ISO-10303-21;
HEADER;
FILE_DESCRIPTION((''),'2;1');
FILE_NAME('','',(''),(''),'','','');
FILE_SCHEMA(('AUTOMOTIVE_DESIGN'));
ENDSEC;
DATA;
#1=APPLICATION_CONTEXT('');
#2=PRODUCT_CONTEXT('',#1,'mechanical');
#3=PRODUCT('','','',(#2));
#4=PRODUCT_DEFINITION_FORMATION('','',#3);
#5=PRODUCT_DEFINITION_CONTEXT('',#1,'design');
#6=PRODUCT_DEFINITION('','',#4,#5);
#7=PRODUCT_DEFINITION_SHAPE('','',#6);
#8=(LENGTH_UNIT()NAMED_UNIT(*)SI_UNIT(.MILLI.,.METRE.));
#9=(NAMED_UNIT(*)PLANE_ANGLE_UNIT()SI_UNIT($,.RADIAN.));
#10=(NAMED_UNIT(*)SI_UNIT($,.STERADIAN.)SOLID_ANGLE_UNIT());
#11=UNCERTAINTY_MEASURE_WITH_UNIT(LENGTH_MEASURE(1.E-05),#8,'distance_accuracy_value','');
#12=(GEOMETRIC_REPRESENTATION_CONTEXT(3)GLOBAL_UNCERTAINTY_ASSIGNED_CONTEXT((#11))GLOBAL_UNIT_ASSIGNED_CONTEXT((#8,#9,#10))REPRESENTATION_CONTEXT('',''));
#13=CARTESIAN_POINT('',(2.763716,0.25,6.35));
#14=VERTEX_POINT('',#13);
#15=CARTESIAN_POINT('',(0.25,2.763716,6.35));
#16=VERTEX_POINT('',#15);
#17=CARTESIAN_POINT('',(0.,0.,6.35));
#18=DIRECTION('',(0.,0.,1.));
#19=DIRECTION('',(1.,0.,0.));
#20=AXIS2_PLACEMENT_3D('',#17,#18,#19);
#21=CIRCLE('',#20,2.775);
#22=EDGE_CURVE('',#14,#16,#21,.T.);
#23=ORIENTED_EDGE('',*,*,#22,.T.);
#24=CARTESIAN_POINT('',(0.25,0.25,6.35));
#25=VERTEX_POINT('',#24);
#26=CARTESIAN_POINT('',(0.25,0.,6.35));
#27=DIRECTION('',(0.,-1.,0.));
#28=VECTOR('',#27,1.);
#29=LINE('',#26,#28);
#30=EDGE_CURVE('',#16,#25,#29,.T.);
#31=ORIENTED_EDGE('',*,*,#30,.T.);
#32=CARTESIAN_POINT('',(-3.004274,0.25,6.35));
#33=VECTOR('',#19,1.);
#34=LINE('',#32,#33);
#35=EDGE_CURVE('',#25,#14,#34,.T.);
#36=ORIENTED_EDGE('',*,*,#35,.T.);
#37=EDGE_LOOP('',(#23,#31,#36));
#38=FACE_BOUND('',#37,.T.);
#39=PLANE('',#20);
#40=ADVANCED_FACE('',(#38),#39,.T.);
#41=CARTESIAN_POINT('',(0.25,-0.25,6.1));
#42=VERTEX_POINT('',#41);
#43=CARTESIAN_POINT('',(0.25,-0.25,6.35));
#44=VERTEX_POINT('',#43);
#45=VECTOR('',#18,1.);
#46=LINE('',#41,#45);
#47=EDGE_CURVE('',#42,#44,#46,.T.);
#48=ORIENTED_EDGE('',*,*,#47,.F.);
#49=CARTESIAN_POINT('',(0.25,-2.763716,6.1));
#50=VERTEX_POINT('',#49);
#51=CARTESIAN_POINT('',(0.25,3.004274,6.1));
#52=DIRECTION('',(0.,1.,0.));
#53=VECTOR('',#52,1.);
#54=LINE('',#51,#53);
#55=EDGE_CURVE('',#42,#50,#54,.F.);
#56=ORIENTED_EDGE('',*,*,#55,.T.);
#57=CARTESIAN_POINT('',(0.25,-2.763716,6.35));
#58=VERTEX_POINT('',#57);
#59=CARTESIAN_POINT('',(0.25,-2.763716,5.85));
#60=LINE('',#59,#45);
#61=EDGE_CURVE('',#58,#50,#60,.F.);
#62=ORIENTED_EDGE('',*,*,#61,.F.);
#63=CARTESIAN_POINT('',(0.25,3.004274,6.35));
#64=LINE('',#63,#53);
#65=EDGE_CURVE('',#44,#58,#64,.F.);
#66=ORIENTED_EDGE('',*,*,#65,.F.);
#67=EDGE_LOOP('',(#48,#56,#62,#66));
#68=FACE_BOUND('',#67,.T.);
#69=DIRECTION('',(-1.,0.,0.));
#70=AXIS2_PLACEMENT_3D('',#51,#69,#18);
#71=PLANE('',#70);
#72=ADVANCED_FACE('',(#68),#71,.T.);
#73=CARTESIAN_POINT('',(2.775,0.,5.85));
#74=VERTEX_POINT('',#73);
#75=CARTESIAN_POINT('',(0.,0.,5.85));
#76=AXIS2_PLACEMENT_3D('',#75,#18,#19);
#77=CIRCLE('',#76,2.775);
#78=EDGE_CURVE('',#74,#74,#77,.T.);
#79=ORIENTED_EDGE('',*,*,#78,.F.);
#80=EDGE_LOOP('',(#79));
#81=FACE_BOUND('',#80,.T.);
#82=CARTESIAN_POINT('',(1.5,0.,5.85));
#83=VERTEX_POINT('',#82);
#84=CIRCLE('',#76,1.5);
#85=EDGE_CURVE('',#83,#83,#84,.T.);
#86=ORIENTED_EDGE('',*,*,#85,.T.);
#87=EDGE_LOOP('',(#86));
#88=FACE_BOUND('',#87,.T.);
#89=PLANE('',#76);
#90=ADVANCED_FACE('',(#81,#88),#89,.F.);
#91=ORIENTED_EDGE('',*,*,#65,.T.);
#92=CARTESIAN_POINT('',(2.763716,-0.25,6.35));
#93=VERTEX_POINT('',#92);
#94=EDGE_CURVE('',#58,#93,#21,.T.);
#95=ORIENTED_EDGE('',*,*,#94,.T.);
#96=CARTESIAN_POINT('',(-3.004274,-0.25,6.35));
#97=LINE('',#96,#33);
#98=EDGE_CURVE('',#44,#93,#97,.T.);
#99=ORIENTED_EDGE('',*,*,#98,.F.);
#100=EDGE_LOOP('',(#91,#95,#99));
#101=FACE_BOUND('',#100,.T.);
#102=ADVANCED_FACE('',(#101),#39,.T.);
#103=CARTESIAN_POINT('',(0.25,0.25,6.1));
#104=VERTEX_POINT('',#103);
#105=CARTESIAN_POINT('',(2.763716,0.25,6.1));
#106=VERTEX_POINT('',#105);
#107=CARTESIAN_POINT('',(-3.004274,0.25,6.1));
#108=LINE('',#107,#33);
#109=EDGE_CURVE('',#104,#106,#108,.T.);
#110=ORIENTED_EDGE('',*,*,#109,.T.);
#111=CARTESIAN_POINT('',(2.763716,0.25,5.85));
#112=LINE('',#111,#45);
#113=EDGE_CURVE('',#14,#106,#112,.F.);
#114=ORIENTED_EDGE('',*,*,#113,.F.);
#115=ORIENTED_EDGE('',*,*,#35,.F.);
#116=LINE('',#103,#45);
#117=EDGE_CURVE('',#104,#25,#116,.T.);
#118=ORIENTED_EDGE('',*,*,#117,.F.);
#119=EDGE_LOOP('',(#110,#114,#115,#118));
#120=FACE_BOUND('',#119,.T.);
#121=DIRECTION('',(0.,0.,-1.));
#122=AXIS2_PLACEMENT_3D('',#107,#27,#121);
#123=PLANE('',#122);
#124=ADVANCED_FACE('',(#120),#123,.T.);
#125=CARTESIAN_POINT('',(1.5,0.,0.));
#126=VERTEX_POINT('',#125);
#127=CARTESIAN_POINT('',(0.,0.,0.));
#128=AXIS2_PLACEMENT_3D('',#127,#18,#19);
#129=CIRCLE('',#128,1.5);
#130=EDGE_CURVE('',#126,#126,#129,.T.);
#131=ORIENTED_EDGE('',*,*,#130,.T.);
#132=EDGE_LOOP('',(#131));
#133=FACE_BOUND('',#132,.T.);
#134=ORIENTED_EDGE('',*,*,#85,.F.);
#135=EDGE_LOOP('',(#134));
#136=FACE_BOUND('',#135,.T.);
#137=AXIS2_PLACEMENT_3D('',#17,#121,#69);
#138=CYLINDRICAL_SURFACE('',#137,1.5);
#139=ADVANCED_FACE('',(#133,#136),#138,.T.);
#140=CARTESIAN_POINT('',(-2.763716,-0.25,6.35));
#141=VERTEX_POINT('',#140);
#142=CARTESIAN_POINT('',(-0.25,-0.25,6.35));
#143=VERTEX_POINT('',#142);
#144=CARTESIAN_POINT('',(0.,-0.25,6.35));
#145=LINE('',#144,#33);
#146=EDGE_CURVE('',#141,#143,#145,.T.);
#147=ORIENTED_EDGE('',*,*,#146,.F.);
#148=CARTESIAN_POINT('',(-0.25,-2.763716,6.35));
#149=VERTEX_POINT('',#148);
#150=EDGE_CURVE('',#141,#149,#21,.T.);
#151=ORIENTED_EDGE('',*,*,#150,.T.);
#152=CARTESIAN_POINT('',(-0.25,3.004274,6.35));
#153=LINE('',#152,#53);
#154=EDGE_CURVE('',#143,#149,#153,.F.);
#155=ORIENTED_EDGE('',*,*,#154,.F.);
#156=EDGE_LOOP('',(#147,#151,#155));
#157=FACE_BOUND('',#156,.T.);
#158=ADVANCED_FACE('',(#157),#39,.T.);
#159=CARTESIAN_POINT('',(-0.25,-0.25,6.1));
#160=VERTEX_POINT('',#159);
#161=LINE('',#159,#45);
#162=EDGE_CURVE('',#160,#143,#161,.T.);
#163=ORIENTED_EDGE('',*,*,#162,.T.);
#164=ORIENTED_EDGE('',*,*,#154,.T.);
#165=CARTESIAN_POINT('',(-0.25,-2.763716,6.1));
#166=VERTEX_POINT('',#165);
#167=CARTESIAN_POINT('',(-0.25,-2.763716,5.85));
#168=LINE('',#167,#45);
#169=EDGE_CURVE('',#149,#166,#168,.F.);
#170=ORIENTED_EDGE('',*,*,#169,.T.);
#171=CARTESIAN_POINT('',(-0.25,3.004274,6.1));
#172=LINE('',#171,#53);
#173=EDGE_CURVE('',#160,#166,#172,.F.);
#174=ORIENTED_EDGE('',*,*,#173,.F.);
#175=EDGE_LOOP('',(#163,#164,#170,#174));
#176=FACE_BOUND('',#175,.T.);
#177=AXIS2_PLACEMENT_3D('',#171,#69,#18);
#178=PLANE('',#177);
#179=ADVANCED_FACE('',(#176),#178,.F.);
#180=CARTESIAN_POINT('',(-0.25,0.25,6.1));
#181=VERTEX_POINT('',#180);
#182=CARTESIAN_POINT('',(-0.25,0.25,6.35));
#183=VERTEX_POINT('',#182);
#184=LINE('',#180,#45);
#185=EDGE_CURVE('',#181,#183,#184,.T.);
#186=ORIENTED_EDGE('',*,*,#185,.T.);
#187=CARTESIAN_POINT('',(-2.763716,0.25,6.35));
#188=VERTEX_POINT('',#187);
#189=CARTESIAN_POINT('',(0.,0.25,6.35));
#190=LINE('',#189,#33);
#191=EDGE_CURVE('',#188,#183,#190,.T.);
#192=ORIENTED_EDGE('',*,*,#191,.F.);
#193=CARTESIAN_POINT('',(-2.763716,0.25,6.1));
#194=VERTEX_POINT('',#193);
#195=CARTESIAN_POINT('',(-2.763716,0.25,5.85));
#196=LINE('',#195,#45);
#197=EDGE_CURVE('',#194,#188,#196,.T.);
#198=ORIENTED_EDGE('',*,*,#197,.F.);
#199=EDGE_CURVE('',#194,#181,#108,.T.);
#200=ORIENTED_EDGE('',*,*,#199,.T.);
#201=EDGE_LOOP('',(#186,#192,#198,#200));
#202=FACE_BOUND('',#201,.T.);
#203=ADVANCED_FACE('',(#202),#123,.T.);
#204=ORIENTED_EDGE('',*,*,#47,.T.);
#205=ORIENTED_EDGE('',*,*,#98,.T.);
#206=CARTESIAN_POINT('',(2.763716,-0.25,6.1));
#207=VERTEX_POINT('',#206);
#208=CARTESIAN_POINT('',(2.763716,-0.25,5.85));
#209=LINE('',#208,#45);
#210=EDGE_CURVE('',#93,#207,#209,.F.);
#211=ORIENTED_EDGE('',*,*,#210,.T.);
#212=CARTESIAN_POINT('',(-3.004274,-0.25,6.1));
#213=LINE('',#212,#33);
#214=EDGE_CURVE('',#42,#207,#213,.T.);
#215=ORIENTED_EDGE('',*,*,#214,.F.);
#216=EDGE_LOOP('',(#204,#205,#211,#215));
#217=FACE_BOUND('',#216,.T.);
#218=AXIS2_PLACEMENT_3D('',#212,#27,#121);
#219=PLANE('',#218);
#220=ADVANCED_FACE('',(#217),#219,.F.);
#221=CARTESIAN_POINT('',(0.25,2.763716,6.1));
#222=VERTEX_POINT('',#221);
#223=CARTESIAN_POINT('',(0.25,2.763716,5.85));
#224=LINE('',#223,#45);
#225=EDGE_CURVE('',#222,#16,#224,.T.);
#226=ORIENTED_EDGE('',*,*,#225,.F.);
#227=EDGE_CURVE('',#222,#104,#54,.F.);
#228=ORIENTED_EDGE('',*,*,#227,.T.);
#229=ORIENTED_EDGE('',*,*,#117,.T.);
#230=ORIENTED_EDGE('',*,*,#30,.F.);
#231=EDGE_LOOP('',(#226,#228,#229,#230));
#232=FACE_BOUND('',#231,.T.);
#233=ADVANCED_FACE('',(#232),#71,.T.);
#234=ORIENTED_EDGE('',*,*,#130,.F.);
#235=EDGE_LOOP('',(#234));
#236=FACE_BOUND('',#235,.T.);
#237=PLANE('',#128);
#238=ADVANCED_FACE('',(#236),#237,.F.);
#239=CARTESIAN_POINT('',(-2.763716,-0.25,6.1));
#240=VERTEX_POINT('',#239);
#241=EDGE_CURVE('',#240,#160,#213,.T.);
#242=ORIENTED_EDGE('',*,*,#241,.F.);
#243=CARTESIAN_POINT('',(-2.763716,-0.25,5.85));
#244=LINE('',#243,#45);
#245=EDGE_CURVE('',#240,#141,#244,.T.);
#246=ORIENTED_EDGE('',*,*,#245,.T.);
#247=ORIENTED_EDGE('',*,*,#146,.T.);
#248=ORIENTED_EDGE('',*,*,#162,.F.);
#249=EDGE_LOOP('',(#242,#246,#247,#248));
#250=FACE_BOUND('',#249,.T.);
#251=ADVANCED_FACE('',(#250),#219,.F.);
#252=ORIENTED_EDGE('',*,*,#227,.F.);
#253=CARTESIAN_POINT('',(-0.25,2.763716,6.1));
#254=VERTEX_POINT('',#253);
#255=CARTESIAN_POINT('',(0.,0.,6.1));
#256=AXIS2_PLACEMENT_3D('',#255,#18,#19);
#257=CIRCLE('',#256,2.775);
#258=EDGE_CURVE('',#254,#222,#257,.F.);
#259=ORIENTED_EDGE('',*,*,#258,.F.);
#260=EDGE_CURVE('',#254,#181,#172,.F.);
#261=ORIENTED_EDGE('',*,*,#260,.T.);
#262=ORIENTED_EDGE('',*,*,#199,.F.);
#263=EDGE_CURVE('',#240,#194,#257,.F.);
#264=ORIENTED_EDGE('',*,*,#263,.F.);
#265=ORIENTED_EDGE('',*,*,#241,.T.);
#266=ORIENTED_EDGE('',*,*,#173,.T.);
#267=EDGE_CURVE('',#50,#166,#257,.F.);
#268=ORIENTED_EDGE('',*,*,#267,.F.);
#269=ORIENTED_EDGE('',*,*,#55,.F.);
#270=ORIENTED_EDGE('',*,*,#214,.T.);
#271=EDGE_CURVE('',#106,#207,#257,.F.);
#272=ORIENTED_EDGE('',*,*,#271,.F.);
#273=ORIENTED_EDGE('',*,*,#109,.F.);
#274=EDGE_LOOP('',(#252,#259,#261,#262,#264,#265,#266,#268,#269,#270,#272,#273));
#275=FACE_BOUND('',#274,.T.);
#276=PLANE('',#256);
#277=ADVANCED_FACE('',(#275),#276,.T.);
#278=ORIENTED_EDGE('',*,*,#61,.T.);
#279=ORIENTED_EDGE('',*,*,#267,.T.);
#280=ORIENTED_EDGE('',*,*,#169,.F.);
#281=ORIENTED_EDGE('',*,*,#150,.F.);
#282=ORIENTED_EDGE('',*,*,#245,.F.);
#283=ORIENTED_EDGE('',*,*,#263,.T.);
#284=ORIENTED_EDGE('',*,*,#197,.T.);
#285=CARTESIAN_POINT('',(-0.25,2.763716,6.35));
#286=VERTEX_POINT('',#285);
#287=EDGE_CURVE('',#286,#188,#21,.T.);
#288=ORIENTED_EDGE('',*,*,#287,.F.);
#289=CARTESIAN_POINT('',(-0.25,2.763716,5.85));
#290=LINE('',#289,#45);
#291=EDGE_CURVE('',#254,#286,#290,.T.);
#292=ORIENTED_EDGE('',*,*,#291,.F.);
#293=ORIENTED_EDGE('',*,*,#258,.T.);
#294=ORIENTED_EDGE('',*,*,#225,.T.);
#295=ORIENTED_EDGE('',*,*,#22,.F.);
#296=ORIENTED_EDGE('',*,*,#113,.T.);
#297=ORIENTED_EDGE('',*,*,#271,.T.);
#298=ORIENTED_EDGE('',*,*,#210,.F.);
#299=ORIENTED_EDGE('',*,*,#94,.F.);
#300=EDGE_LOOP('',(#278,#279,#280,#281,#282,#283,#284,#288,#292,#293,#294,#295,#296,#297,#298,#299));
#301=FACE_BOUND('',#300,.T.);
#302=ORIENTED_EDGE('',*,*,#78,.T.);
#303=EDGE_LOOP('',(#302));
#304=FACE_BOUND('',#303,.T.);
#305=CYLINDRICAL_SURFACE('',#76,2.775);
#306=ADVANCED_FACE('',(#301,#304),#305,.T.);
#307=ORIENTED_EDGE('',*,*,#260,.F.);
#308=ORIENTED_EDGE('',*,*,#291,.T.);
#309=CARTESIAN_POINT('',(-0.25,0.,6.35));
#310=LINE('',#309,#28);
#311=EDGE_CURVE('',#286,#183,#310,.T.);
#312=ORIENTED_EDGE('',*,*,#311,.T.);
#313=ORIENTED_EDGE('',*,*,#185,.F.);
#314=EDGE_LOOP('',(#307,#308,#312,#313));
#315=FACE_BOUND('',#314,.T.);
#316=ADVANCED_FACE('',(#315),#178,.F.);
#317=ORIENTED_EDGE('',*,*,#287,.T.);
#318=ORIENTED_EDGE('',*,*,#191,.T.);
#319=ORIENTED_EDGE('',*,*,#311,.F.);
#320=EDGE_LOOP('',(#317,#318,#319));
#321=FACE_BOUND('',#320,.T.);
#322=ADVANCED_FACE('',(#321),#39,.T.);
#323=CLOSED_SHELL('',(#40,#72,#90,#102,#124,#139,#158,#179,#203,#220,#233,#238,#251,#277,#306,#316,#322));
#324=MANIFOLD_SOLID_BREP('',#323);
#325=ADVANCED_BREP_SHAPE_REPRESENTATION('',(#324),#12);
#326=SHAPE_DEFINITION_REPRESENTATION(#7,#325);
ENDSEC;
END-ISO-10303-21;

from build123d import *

# Parameters (mm, degrees)
SKETCH1_R               = 1.5
BOSS_EXTRUDE1_DEPTH     = 6.35
SKETCH3_R               = 2.775
BOSS_EXTRUDE3_DEPTH     = 0.5
SKETCH4_W               = 0.5
SKETCH4_H               = 6.00854879
SKETCH4_W_2             = 6.00854879
SKETCH4_H_2             = 0.5
CUT_EXTRUDE_THIN1_DEPTH = 0.25


with BuildPart() as part:
    # Sketch1 → Boss-Extrude1 (new body)
    with BuildSketch(Plane.XY):
        Circle(SKETCH1_R)
    extrude(amount=BOSS_EXTRUDE1_DEPTH)

    # Sketch3 → Boss-Extrude3 (add)
    with BuildSketch(Plane.XY.offset(6.35)):
        Circle(SKETCH3_R)
    extrude(amount=-BOSS_EXTRUDE3_DEPTH)

    # Sketch4 → Cut-Extrude-Thin1 (cut)
    with BuildSketch(Plane.XY.offset(6.35)):
        Rectangle(SKETCH4_W, SKETCH4_H)
        Rectangle(SKETCH4_W_2, SKETCH4_H_2)
    extrude(amount=-CUT_EXTRUDE_THIN1_DEPTH, mode=Mode.SUBTRACT)


solid = part.part
